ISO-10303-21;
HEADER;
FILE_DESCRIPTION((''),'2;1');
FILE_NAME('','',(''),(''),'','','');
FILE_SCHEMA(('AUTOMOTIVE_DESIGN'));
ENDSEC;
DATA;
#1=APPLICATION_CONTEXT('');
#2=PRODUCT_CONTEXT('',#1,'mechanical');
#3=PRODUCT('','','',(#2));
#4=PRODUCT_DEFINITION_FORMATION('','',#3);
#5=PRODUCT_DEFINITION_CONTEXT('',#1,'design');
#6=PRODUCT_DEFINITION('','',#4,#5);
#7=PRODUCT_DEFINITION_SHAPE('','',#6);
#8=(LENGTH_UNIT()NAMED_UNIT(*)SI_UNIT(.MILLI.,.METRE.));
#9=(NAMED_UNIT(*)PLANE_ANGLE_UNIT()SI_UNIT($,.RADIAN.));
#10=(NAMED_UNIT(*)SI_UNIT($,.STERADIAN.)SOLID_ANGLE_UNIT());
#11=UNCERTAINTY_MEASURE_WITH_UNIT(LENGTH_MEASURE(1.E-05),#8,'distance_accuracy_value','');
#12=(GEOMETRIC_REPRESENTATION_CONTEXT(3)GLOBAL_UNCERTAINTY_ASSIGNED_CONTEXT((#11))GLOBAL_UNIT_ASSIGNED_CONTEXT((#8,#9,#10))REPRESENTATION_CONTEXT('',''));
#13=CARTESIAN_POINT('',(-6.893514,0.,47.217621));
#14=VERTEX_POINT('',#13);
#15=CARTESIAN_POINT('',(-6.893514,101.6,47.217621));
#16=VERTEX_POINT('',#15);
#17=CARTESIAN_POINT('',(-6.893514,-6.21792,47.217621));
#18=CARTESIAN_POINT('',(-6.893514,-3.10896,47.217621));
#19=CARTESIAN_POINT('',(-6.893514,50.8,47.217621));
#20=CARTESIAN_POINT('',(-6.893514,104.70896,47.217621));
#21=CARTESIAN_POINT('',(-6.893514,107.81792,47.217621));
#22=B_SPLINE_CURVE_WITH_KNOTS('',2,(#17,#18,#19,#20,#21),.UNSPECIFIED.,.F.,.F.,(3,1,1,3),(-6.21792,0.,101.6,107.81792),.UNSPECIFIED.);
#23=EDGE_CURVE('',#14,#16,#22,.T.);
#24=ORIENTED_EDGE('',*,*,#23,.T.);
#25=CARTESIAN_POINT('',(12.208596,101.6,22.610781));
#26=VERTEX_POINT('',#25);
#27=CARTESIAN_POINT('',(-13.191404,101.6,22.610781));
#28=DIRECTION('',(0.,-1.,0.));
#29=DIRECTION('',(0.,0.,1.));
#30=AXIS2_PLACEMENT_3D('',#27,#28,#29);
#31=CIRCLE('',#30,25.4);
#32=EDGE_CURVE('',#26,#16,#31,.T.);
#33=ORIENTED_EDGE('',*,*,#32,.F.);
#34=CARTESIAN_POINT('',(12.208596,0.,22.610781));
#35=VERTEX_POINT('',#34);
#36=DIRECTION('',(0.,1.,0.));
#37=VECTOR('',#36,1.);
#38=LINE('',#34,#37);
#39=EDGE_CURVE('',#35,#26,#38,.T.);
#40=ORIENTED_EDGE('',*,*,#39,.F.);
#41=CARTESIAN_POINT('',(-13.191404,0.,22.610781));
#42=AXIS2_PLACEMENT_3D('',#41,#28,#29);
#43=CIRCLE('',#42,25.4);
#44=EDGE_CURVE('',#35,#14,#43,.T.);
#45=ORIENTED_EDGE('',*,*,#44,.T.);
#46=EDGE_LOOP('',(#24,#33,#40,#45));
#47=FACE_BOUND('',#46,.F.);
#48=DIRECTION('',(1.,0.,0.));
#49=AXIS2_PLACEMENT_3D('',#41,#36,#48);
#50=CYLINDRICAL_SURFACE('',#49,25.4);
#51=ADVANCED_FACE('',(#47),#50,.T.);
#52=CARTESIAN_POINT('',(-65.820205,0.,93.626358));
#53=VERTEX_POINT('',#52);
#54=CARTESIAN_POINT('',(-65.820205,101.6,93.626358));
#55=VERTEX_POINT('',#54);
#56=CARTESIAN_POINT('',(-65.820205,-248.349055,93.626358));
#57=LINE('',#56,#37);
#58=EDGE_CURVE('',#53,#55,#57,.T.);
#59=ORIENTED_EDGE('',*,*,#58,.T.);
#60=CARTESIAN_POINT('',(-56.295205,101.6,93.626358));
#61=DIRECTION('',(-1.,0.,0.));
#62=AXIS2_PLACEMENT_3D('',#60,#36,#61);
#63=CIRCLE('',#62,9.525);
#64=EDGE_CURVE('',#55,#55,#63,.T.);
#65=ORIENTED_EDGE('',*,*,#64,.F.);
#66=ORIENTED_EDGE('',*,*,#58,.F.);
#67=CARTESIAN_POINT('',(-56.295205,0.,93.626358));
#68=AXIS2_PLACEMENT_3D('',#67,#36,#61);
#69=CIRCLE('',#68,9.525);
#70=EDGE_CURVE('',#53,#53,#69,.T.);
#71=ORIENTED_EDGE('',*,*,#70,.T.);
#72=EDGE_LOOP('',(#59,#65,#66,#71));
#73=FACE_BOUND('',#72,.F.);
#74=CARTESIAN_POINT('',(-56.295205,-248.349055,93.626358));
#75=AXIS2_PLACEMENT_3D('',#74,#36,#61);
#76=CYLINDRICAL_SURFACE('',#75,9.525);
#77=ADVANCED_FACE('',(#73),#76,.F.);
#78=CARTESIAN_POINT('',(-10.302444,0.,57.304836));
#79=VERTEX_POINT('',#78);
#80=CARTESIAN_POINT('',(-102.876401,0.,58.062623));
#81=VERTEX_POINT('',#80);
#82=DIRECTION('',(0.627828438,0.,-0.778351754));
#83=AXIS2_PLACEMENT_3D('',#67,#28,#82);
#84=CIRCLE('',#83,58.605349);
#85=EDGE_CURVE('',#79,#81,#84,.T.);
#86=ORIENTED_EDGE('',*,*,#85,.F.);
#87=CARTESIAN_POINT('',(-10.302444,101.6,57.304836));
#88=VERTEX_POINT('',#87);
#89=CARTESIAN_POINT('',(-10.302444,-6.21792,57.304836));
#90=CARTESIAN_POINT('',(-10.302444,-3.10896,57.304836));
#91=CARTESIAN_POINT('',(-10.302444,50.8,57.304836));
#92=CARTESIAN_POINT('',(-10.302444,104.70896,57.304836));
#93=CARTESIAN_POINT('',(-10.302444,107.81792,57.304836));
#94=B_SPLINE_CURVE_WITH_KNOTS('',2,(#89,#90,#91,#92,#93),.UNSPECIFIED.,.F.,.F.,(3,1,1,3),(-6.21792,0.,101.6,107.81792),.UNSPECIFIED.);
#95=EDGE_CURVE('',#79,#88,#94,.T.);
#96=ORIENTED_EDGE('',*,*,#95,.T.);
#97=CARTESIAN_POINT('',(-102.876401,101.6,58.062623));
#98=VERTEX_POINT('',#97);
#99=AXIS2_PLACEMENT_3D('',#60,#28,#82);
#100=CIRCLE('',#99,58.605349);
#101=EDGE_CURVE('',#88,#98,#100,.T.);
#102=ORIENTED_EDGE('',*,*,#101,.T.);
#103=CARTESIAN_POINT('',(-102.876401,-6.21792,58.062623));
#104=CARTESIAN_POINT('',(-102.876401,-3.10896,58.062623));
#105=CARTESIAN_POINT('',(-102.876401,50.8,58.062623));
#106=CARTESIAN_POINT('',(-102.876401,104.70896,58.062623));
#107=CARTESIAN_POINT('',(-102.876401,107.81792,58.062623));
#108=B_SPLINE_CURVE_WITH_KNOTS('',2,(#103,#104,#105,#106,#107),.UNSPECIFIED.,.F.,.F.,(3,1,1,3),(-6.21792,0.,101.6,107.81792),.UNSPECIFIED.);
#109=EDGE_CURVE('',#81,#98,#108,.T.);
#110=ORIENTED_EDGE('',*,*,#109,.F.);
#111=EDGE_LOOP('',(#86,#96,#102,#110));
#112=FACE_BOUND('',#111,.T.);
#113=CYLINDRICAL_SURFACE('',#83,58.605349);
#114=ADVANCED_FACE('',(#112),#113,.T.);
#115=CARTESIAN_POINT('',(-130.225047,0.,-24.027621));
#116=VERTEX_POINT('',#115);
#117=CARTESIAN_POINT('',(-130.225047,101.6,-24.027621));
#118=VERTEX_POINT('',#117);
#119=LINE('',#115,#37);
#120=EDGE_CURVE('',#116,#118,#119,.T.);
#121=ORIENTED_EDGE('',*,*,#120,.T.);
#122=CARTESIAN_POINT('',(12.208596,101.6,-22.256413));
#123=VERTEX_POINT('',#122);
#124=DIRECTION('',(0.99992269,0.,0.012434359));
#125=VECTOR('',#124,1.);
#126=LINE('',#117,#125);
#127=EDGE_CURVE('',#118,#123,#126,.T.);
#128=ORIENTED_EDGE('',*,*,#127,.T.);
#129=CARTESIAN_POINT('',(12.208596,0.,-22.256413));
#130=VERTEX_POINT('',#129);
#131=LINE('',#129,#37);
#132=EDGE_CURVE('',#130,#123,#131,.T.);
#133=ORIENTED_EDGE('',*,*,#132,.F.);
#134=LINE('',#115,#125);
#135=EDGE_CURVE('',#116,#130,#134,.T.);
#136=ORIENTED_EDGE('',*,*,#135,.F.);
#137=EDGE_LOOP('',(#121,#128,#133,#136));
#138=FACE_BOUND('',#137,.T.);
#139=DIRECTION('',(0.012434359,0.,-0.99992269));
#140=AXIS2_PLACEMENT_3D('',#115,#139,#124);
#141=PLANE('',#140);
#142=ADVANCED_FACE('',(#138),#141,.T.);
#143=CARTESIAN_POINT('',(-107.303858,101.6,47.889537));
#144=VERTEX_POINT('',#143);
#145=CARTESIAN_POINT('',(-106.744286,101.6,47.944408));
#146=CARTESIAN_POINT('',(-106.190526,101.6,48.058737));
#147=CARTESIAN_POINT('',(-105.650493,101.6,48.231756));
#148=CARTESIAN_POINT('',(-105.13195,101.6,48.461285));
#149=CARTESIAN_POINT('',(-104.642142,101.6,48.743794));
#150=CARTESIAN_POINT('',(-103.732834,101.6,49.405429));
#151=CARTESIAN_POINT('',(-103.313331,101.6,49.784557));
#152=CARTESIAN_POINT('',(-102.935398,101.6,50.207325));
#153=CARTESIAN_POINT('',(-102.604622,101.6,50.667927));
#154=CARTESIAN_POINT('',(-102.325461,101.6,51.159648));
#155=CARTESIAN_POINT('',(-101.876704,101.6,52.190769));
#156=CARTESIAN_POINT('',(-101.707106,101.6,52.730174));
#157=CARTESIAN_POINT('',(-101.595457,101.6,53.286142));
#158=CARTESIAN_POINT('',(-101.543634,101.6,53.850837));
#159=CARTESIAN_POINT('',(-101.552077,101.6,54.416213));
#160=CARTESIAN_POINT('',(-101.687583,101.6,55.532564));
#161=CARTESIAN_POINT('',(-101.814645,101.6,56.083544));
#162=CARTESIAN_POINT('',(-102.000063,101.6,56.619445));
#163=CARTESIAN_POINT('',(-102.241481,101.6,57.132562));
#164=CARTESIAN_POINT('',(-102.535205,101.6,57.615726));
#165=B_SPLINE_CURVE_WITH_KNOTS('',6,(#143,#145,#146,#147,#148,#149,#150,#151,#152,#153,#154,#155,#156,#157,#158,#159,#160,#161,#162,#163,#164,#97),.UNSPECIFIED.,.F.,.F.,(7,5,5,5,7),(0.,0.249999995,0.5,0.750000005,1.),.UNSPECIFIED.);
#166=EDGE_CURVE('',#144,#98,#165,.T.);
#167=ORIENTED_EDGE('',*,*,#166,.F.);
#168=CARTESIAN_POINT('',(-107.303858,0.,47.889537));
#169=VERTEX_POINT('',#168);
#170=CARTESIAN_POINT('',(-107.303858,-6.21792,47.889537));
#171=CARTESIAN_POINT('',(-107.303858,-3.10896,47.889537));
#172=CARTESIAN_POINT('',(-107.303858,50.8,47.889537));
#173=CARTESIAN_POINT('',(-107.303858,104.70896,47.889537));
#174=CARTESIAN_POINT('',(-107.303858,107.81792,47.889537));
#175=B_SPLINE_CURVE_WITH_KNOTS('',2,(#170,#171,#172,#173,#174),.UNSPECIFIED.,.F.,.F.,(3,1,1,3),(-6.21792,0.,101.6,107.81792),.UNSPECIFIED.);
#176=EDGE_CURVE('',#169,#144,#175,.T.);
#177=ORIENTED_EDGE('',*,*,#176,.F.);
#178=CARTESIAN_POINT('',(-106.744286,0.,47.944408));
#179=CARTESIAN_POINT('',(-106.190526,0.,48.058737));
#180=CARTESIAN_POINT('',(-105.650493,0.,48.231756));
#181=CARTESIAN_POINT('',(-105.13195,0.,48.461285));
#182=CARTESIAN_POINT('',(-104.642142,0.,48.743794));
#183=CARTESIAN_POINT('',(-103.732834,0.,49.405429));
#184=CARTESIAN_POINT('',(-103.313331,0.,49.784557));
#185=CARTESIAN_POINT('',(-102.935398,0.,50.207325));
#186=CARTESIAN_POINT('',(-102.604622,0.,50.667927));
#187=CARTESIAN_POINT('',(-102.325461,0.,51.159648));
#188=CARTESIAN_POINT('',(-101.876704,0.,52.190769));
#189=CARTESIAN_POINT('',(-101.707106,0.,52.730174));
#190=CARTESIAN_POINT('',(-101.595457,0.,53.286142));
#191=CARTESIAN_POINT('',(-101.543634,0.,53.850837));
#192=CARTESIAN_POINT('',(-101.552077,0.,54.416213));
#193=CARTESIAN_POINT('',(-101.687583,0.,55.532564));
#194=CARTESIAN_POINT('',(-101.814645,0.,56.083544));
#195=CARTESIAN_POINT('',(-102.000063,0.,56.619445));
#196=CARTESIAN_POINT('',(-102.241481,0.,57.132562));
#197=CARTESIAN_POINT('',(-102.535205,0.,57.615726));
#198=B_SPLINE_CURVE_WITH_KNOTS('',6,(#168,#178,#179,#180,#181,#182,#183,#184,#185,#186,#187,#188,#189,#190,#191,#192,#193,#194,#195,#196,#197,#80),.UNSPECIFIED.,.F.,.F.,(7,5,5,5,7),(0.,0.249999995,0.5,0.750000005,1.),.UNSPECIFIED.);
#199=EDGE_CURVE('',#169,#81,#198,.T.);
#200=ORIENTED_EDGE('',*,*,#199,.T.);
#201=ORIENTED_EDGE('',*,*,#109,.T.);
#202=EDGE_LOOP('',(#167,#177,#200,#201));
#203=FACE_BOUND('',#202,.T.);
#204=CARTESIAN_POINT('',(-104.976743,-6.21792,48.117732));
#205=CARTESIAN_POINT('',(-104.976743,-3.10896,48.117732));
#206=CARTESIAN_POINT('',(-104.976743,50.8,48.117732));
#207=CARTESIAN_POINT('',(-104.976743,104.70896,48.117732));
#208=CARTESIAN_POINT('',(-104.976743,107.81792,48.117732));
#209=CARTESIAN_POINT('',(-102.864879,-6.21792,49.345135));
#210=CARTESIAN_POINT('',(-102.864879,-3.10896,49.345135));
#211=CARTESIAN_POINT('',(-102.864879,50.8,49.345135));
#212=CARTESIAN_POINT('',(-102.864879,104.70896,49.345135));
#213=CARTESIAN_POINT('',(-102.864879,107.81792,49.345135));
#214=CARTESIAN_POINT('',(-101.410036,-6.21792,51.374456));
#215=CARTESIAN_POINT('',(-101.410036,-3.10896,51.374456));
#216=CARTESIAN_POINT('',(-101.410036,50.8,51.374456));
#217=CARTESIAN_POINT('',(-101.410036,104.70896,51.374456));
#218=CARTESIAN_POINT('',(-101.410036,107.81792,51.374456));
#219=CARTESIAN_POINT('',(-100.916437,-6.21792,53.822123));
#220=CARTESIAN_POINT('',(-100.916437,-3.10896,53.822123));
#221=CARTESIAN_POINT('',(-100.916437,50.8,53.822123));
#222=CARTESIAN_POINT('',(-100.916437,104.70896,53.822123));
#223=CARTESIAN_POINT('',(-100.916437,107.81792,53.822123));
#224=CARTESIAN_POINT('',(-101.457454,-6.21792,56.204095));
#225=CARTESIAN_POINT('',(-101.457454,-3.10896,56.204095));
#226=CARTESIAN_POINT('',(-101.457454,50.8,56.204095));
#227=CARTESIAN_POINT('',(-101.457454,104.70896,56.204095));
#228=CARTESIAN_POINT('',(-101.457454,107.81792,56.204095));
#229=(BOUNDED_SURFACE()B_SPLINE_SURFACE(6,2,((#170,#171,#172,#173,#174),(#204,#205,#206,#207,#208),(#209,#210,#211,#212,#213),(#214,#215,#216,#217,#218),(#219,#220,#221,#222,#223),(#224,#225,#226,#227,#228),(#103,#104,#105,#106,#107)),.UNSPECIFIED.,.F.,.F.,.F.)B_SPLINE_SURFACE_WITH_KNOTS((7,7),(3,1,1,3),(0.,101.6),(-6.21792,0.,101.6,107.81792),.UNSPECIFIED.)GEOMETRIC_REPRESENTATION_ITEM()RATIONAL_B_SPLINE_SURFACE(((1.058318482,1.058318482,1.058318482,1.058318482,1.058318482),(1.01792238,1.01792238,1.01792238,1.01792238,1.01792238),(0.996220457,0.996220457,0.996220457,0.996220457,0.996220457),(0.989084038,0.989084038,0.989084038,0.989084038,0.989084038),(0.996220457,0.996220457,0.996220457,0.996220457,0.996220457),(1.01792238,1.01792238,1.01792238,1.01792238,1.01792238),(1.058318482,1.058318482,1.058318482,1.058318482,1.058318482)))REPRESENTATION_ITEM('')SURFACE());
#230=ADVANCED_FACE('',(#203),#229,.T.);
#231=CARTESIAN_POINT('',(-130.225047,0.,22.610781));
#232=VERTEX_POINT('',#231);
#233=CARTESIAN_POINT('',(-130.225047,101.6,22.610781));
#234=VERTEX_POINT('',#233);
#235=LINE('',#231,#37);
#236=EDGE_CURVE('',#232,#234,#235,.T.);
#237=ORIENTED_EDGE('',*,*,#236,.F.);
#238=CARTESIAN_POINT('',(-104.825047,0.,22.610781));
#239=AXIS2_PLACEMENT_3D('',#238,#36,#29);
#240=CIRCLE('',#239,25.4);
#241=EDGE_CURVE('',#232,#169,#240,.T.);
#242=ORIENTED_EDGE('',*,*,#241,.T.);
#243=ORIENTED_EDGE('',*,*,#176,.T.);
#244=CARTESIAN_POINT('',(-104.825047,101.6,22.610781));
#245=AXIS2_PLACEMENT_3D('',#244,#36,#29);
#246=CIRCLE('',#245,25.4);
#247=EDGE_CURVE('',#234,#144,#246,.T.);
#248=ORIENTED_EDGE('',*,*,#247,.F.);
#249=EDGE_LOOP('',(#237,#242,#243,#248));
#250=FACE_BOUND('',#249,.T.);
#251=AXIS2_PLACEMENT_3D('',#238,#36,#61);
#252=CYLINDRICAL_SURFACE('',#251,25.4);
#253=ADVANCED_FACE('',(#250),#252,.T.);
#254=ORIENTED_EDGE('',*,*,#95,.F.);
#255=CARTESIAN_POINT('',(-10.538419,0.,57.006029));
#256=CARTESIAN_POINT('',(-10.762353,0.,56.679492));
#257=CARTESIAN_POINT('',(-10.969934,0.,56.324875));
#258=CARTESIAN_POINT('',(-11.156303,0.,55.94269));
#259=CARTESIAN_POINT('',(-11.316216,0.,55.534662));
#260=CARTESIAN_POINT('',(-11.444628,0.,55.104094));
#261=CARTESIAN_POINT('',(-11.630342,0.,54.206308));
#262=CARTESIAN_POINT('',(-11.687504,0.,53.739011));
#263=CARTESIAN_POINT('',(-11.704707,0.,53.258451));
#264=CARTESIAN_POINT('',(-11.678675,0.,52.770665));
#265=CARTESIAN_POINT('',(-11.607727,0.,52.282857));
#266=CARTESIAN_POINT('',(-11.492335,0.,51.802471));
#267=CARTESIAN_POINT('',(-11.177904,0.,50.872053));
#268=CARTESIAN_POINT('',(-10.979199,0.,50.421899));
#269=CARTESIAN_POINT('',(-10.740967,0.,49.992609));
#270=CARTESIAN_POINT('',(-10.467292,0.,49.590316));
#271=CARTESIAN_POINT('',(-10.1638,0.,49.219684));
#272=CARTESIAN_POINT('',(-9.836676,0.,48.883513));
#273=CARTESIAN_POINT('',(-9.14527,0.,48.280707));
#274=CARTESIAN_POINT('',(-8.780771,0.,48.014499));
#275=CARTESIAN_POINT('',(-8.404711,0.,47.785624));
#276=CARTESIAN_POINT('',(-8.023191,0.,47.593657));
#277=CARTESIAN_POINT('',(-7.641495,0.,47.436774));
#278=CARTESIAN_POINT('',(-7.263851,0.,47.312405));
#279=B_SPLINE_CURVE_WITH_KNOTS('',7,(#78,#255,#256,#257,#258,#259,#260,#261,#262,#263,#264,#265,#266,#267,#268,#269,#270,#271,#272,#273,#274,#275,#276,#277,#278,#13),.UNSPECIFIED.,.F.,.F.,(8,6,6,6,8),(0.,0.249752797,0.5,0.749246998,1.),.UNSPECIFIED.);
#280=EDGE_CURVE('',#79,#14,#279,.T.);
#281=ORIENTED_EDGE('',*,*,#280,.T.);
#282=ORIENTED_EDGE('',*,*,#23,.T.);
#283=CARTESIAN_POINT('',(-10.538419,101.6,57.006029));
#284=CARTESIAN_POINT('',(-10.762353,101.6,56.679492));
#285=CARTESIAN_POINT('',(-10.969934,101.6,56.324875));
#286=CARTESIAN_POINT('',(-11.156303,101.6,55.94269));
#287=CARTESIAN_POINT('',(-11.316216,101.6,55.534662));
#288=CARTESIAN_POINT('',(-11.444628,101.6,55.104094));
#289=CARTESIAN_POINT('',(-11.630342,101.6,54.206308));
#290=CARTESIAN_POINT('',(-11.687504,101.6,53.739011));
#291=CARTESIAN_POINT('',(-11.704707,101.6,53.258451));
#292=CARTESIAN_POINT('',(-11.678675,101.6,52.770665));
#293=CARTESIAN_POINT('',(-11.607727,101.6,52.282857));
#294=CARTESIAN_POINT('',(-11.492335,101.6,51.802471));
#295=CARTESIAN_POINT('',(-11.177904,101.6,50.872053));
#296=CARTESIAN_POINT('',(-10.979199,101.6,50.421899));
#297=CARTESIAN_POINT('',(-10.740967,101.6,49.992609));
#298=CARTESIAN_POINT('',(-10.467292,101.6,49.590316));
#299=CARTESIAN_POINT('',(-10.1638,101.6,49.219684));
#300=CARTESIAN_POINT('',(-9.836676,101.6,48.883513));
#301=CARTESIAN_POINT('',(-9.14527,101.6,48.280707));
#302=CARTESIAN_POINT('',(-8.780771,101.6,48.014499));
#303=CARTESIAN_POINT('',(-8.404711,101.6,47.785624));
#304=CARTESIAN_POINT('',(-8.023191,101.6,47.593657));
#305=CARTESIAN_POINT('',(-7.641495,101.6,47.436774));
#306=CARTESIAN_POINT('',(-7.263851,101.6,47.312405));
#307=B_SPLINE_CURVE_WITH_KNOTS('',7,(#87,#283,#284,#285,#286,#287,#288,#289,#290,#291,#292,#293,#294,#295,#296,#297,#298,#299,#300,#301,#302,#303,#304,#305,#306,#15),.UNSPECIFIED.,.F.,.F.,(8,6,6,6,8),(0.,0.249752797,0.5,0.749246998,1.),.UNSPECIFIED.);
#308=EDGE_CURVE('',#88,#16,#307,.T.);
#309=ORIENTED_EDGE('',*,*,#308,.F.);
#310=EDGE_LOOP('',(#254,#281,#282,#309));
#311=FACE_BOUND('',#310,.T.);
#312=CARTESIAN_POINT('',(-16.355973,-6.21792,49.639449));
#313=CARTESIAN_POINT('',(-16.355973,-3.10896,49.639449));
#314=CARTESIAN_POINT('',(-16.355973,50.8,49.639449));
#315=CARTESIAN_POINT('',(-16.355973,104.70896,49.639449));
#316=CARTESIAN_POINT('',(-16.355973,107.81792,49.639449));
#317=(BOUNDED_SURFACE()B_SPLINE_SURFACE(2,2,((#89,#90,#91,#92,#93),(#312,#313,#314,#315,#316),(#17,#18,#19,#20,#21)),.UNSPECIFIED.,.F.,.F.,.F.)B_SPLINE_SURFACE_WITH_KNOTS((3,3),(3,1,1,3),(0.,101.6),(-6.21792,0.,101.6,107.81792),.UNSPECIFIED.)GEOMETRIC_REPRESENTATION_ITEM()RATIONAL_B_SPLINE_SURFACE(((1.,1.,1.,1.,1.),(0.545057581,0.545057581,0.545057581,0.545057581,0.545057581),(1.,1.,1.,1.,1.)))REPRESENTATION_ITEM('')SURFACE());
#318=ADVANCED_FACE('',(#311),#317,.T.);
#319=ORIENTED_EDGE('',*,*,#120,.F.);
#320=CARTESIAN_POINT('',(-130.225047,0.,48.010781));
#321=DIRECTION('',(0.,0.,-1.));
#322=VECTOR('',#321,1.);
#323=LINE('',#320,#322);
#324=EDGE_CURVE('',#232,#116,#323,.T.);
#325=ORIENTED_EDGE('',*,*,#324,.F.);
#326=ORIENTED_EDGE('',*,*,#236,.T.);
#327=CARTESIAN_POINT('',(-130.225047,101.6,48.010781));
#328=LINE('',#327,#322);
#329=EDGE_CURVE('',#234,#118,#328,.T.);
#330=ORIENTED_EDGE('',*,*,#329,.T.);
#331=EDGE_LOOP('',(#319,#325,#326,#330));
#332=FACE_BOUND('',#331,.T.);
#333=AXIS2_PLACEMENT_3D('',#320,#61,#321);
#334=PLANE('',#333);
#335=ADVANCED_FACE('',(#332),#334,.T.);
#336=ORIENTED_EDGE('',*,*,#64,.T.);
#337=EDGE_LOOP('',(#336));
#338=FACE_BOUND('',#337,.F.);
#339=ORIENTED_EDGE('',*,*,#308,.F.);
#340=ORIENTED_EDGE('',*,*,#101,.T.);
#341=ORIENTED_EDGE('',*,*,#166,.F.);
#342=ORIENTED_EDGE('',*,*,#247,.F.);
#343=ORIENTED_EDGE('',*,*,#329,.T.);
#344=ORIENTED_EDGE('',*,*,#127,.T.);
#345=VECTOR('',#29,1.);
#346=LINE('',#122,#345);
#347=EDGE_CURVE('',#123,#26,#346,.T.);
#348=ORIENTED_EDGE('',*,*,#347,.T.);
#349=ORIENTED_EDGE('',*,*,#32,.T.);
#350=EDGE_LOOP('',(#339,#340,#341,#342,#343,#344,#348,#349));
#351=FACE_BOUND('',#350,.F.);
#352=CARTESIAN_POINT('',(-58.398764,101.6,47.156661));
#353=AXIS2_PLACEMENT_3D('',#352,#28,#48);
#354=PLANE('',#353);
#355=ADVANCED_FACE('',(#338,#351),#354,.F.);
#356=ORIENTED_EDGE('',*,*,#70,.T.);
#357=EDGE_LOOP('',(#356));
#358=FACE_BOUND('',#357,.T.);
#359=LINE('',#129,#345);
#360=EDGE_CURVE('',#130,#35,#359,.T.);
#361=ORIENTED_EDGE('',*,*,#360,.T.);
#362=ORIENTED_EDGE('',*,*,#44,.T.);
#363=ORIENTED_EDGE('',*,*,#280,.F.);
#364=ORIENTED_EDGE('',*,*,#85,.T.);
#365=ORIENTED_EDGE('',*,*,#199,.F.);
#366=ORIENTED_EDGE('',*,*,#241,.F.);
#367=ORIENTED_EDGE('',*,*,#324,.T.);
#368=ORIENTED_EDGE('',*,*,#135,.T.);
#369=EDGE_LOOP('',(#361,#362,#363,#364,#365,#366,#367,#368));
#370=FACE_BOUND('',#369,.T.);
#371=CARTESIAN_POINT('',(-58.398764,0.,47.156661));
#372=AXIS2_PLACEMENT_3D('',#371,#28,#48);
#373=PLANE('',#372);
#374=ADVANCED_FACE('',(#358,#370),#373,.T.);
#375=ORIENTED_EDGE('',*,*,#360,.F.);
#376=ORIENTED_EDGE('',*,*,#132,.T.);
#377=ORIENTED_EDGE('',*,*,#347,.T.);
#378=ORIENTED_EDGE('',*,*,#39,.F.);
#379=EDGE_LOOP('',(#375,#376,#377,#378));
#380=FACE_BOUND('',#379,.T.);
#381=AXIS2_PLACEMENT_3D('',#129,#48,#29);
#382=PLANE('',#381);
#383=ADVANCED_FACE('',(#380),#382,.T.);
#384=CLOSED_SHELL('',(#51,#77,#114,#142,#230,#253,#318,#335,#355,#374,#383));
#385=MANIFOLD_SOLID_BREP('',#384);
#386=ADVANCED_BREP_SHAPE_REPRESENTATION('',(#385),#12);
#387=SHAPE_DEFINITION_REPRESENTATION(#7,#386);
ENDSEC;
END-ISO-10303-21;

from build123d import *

# Parameters (mm, degrees)
F1_DEPTH = 101.6
F3_D     = 19.05
F4_R     = 25.4
F5_R     = 6.35


with BuildPart() as f1:
    # F0 (on Front) → F1 (new body)
    with BuildSketch(Plane.XZ):
        with BuildLine():
            Line((-130.225047, 48.010781), (-130.225047, -24.027621))
            Line((-130.225047, -24.027621), (12.208596, -22.256413))
            Line((12.208596, -22.256413), (12.208596, 48.010781))
            Line((12.208596, 48.010781), (-19.5011, 48.010781))
            ThreePointArc((-19.5011, 48.010781), (-56.295205, 152.231707), (-93.08931, 48.010781))
            Line((-93.08931, 48.010781), (-130.225047, 48.010781))
        make_face()
    extrude(amount=-F1_DEPTH)

    # F3 (through all)
    with Locations(Plane.XZ):
        with Locations((-56.295205, 93.626358)):
            Hole(F3_D / 2)

    # F4
    f4_edges = [f1.edges().sort_by_distance(p)[0] for p in [
        (-130.225047, 50.8, 48.010781),
        (12.208596, 50.8, 48.010781),
    ]]
    fillet(f4_edges, radius=F4_R)

    # F5
    f5_edges = [f1.edges().sort_by_distance(p)[0] for p in [
        (-19.5011, 50.8, 48.010781),
        (-93.08931, 50.8, 48.010781),
    ]]
    fillet(f5_edges, radius=F5_R)


solid = f1.part
